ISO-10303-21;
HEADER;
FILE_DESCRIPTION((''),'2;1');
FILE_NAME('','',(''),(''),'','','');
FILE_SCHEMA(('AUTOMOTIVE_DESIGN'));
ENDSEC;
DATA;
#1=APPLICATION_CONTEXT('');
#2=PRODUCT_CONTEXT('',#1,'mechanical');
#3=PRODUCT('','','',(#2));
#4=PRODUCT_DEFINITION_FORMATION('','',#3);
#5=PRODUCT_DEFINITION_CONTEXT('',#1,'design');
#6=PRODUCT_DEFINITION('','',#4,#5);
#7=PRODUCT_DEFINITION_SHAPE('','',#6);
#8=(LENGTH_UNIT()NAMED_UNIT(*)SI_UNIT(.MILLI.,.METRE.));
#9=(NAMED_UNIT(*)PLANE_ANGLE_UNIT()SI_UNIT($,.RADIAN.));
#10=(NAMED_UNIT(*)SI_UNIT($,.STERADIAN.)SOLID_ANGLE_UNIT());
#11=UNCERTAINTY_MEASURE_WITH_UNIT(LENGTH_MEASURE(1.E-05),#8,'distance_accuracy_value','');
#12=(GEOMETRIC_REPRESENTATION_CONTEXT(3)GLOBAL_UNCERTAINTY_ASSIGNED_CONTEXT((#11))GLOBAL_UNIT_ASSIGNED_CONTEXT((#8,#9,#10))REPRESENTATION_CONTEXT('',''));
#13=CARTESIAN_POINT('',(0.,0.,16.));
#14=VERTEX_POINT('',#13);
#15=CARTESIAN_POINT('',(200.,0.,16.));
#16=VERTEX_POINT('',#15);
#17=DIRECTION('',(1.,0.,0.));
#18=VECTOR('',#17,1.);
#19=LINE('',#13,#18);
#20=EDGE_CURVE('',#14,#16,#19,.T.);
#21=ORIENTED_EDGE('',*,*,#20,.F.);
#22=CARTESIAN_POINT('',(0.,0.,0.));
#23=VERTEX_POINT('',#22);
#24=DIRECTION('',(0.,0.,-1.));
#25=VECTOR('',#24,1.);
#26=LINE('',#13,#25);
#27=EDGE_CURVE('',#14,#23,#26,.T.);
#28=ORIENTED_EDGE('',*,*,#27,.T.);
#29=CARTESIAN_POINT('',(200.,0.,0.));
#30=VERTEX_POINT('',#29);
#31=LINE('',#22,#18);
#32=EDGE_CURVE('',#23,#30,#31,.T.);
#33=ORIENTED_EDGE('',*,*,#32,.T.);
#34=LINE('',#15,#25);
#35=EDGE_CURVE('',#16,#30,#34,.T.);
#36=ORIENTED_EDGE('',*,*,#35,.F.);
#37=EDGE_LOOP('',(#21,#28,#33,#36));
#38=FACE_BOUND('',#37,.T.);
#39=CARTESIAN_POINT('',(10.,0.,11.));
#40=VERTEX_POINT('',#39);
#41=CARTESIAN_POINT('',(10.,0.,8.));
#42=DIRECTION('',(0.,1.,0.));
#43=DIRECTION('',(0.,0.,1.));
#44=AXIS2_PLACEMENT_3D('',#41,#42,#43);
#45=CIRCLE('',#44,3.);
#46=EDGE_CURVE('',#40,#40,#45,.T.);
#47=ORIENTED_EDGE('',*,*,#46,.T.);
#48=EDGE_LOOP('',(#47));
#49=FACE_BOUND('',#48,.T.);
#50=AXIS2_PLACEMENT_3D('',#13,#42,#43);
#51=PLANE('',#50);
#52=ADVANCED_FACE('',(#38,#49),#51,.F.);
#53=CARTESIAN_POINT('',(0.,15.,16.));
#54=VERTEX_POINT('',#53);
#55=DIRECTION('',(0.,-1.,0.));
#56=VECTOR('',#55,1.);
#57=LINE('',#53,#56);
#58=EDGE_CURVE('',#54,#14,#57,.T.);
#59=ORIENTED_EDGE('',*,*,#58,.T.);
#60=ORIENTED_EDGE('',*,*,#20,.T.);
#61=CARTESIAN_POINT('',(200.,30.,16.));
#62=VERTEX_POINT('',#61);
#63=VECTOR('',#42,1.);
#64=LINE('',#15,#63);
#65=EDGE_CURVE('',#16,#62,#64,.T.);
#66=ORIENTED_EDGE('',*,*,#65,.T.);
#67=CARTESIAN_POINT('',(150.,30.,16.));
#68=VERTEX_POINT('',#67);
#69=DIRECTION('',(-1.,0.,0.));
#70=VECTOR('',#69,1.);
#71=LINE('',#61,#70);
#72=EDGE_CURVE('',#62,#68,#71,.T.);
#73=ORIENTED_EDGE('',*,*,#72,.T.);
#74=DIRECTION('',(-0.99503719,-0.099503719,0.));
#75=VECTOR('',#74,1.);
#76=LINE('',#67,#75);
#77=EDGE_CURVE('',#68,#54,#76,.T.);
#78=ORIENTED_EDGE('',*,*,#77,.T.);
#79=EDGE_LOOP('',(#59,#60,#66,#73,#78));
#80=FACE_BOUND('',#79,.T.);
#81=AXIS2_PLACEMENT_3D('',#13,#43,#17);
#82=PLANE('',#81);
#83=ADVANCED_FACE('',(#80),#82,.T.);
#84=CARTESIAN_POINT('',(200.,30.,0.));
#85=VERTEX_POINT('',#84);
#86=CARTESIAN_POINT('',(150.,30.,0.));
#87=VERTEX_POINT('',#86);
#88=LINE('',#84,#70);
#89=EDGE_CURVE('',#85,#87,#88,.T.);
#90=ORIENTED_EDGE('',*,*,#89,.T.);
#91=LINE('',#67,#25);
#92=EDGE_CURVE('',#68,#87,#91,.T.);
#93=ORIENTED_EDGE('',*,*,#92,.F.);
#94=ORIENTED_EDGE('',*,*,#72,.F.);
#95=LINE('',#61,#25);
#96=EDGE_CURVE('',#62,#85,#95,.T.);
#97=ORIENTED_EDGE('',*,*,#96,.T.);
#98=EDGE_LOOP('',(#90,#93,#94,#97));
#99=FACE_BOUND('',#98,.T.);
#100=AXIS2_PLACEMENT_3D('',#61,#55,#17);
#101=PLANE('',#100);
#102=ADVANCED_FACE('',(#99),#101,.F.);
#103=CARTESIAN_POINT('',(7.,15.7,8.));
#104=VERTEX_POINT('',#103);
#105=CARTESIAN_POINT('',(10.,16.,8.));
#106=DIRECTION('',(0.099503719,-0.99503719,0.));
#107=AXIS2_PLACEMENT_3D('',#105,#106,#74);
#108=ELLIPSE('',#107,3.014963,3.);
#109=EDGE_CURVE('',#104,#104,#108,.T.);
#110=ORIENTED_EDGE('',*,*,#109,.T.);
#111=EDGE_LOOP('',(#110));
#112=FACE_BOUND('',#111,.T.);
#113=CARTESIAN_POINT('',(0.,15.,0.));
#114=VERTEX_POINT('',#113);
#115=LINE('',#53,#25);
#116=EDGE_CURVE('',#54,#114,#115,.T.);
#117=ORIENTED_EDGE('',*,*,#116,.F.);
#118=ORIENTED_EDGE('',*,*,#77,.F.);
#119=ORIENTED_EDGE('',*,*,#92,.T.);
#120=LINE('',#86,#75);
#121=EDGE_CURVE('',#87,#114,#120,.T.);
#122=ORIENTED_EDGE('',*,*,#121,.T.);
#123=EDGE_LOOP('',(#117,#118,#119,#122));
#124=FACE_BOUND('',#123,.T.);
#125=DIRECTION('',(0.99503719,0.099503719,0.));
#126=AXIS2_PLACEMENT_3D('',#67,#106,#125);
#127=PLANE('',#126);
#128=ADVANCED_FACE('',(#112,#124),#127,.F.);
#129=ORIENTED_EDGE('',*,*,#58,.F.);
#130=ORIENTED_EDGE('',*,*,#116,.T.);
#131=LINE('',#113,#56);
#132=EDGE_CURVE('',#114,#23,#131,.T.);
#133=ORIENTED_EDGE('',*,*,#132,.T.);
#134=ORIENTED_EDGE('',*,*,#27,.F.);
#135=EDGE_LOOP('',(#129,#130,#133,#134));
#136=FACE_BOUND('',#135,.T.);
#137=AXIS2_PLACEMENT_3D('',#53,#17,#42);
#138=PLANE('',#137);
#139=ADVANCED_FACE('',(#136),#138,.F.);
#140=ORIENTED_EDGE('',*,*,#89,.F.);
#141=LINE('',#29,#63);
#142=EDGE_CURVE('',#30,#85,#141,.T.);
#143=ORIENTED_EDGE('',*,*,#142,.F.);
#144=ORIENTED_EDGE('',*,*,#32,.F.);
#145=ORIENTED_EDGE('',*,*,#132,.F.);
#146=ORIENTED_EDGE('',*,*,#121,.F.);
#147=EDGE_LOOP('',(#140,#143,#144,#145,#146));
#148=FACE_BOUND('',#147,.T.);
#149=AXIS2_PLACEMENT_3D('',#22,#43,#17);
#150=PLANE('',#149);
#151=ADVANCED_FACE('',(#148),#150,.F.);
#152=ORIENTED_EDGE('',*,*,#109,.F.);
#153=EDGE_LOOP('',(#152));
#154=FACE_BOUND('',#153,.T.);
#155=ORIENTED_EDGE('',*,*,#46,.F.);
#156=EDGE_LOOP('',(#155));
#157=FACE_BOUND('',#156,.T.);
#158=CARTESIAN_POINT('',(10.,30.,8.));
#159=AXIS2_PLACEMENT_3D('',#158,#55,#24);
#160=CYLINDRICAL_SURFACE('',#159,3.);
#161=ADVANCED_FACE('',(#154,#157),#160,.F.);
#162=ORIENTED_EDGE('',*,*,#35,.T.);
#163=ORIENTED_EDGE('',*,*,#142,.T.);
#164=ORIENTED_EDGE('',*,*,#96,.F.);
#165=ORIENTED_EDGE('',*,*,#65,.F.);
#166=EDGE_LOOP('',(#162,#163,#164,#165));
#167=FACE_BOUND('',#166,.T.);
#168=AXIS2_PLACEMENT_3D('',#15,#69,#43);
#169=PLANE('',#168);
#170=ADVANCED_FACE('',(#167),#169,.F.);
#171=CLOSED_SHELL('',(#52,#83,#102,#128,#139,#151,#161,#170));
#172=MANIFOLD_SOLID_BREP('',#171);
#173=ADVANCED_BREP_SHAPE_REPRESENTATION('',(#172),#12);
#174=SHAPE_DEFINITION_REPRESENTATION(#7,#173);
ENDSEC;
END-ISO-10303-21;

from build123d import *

# Parameters (mm, degrees)
BOSS_EXTRU_1_DEPTH           = 16
ENL_V_MAT_EXTRU_1_DEPTH      = 203.869416128
ENL_V_MAT_EXTRU_1_DEPTH_BACK = 203.869416128
ESQUISSE2_R                  = 3


with BuildPart() as part:
    # Esquisse1 → Boss.-Extru.1 (new body)
    with BuildSketch(Plane.XY):
        Polygon((0, 0), (200, 0), (200, 30), (150, 30), (0, 15), align=None)
    extrude(amount=BOSS_EXTRU_1_DEPTH)

    # Esquisse2 → Enlèv. mat.-Extru.1 (cut, two sides: drawn at the far end of the back side and taken through both)
    with BuildSketch(Plane.XZ.offset(-ENL_V_MAT_EXTRU_1_DEPTH_BACK)):
        with Locations(Location((10, 8, 0), (0, 0, 180))):
            Circle(ESQUISSE2_R)
    extrude(amount=ENL_V_MAT_EXTRU_1_DEPTH + ENL_V_MAT_EXTRU_1_DEPTH_BACK, mode=Mode.SUBTRACT)


solid = part.part
